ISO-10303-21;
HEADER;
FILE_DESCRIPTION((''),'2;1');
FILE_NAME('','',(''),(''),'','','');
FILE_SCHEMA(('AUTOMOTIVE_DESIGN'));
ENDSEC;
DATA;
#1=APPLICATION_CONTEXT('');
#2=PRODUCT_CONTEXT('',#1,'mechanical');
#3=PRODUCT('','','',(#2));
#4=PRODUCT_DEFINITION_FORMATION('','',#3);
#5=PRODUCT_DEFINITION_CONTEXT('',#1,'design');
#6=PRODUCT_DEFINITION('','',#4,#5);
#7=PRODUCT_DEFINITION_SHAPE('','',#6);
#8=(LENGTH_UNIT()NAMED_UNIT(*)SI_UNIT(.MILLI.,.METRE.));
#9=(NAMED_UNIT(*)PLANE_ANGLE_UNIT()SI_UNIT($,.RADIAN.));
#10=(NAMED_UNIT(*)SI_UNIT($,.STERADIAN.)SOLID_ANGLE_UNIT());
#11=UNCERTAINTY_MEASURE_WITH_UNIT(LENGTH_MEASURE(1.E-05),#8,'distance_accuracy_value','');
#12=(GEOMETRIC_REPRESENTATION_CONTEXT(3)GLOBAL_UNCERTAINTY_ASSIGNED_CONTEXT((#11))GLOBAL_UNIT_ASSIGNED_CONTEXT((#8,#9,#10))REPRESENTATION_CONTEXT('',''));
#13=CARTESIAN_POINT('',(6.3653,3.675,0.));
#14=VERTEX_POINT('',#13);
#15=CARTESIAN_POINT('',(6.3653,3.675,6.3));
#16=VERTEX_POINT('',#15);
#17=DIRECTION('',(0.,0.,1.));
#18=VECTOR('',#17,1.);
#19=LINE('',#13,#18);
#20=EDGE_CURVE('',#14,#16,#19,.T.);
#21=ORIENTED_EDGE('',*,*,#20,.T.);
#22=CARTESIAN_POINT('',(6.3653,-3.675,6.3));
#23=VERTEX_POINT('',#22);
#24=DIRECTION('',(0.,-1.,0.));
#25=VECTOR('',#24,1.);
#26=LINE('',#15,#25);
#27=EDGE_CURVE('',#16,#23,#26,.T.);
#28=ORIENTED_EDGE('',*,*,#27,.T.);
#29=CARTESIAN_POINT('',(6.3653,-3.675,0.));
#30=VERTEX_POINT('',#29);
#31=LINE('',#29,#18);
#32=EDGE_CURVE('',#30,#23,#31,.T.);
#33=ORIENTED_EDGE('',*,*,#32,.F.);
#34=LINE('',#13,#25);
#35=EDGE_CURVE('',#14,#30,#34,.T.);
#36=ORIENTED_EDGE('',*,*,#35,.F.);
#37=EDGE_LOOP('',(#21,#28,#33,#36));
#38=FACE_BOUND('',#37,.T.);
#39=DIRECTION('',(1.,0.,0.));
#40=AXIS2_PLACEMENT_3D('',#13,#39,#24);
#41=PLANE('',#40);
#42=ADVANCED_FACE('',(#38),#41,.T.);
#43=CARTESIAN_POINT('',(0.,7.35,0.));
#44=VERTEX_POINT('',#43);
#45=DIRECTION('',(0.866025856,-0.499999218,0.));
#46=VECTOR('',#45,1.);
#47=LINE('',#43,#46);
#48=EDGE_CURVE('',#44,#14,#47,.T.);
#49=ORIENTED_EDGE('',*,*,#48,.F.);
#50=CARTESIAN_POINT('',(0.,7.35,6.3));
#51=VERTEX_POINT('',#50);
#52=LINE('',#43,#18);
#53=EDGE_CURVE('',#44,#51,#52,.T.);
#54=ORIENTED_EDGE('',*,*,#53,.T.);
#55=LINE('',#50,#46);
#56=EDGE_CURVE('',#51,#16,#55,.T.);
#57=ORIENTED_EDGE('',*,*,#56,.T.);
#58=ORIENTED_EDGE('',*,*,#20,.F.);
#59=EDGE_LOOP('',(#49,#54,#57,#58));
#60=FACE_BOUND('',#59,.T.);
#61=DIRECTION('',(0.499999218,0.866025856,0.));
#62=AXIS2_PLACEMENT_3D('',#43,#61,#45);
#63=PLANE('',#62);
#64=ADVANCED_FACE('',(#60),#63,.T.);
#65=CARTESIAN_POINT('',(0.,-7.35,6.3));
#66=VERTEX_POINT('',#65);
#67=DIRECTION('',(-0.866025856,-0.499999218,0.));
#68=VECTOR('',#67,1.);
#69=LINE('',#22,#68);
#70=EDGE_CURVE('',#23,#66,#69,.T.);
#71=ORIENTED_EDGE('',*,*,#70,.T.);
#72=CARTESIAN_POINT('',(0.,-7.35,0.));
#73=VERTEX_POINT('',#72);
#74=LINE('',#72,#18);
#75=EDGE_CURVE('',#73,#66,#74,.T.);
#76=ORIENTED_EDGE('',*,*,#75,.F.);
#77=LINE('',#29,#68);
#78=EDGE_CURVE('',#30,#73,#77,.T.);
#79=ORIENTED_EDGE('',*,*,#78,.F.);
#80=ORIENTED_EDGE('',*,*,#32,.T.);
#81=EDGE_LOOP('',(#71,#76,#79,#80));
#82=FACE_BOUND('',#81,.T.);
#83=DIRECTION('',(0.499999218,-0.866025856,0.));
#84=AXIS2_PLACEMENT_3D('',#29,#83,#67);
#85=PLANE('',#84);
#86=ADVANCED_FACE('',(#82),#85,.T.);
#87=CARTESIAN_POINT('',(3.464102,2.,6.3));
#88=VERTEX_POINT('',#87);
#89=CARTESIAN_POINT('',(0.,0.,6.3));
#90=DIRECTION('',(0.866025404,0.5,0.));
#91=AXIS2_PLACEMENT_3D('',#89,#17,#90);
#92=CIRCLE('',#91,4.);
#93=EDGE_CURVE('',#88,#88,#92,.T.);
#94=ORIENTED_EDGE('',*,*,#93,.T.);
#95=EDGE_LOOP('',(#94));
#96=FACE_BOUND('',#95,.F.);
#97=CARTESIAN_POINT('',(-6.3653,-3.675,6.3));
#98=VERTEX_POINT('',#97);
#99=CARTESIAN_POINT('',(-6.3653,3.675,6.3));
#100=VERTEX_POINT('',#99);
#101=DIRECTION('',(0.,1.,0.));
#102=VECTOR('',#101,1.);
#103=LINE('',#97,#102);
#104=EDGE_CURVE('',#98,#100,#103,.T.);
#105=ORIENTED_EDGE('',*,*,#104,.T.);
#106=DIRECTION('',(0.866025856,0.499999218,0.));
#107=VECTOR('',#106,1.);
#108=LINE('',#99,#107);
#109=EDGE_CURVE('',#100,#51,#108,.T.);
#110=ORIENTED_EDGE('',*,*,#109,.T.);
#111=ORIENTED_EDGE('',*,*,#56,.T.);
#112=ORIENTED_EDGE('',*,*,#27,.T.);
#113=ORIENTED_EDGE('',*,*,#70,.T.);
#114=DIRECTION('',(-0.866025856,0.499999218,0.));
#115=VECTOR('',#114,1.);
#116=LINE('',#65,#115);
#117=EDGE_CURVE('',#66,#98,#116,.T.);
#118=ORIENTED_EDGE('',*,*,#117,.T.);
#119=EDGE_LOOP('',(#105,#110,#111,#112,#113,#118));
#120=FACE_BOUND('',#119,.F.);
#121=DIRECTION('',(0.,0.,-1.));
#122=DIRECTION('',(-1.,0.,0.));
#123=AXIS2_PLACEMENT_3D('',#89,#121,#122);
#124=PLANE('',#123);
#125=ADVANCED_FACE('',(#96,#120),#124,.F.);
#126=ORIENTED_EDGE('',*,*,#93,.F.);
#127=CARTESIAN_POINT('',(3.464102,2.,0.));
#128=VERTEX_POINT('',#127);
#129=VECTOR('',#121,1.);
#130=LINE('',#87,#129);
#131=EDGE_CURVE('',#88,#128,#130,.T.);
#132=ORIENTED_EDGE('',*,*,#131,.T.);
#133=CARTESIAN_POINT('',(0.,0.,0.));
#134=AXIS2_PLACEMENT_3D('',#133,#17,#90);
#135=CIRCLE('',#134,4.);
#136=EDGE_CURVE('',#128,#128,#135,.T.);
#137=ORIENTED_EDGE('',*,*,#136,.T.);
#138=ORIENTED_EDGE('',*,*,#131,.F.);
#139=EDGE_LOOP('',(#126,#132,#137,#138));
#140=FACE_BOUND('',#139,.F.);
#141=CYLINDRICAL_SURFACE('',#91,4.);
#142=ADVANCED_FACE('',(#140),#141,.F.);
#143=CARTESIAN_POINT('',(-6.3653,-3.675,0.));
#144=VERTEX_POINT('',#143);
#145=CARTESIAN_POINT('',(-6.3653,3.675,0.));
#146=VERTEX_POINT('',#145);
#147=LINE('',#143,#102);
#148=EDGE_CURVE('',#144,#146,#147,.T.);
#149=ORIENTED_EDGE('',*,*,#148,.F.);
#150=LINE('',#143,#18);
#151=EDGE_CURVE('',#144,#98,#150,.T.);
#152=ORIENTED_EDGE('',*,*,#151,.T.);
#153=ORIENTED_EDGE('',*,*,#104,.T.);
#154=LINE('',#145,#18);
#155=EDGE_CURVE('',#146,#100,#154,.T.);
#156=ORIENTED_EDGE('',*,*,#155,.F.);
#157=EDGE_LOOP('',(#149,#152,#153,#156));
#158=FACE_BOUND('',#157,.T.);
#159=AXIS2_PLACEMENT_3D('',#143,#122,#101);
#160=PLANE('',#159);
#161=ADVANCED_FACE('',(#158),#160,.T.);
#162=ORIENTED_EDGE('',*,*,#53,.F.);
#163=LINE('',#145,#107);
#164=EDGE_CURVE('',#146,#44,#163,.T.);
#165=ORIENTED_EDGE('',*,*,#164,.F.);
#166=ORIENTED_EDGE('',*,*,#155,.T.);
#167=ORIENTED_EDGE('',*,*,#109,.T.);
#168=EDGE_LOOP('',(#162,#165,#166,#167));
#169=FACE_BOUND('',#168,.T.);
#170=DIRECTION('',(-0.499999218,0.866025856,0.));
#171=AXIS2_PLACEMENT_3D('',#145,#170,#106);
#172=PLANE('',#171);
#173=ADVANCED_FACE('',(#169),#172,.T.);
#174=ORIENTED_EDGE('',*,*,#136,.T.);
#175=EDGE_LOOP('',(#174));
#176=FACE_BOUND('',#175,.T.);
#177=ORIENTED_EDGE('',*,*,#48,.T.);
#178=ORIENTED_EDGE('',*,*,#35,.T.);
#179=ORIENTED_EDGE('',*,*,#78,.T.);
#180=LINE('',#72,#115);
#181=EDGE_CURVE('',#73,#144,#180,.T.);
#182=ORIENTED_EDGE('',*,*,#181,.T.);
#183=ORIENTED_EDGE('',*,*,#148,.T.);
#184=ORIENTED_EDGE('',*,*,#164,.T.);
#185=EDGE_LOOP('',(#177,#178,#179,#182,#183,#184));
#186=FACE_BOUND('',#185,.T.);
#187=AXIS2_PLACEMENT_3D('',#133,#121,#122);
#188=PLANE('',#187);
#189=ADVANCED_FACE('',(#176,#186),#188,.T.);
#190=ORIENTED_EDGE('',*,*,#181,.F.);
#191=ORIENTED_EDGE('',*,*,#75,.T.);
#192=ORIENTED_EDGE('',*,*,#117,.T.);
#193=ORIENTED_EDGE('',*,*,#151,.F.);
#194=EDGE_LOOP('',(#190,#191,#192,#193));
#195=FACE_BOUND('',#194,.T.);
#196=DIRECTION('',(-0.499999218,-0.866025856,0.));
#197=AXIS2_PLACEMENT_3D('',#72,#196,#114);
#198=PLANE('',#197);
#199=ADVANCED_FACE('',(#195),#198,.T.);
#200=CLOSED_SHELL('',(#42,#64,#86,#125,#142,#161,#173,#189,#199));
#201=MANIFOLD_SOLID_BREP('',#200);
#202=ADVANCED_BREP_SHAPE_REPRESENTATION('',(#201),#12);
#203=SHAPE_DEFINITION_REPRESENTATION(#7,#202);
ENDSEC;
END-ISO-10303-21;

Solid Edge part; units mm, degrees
sketch "Sketch1" plane through (0, 0, 0) normal (0, 0, 1) x (1, 0, 0)
  line L0 (0, 7.35) -> (6.3653, 3.675)
  line L1 (6.3653, 3.675) -> (6.3653, -3.675)
  line L2 (6.3653, -3.675) -> (0, -7.35)
  line L3 (0, -7.35) -> (-6.3653, -3.675)
  line L4 (-6.3653, -3.675) -> (-6.3653, 3.675)
  line L5 (-6.3653, 3.675) -> (0, 7.35)
extrude "Protrusion1" add sketch "Sketch1" along normal blind 6.3
sketch "Sketch2" plane through (0, 0, 6.3) normal (0, 0, 1) x (0.866, 0.5, 0)
  circle A0 centre (0, 0) radius 4
extrude "Cutout1" cut sketch "Sketch2" against normal through all
properties material "Stainless steel"
